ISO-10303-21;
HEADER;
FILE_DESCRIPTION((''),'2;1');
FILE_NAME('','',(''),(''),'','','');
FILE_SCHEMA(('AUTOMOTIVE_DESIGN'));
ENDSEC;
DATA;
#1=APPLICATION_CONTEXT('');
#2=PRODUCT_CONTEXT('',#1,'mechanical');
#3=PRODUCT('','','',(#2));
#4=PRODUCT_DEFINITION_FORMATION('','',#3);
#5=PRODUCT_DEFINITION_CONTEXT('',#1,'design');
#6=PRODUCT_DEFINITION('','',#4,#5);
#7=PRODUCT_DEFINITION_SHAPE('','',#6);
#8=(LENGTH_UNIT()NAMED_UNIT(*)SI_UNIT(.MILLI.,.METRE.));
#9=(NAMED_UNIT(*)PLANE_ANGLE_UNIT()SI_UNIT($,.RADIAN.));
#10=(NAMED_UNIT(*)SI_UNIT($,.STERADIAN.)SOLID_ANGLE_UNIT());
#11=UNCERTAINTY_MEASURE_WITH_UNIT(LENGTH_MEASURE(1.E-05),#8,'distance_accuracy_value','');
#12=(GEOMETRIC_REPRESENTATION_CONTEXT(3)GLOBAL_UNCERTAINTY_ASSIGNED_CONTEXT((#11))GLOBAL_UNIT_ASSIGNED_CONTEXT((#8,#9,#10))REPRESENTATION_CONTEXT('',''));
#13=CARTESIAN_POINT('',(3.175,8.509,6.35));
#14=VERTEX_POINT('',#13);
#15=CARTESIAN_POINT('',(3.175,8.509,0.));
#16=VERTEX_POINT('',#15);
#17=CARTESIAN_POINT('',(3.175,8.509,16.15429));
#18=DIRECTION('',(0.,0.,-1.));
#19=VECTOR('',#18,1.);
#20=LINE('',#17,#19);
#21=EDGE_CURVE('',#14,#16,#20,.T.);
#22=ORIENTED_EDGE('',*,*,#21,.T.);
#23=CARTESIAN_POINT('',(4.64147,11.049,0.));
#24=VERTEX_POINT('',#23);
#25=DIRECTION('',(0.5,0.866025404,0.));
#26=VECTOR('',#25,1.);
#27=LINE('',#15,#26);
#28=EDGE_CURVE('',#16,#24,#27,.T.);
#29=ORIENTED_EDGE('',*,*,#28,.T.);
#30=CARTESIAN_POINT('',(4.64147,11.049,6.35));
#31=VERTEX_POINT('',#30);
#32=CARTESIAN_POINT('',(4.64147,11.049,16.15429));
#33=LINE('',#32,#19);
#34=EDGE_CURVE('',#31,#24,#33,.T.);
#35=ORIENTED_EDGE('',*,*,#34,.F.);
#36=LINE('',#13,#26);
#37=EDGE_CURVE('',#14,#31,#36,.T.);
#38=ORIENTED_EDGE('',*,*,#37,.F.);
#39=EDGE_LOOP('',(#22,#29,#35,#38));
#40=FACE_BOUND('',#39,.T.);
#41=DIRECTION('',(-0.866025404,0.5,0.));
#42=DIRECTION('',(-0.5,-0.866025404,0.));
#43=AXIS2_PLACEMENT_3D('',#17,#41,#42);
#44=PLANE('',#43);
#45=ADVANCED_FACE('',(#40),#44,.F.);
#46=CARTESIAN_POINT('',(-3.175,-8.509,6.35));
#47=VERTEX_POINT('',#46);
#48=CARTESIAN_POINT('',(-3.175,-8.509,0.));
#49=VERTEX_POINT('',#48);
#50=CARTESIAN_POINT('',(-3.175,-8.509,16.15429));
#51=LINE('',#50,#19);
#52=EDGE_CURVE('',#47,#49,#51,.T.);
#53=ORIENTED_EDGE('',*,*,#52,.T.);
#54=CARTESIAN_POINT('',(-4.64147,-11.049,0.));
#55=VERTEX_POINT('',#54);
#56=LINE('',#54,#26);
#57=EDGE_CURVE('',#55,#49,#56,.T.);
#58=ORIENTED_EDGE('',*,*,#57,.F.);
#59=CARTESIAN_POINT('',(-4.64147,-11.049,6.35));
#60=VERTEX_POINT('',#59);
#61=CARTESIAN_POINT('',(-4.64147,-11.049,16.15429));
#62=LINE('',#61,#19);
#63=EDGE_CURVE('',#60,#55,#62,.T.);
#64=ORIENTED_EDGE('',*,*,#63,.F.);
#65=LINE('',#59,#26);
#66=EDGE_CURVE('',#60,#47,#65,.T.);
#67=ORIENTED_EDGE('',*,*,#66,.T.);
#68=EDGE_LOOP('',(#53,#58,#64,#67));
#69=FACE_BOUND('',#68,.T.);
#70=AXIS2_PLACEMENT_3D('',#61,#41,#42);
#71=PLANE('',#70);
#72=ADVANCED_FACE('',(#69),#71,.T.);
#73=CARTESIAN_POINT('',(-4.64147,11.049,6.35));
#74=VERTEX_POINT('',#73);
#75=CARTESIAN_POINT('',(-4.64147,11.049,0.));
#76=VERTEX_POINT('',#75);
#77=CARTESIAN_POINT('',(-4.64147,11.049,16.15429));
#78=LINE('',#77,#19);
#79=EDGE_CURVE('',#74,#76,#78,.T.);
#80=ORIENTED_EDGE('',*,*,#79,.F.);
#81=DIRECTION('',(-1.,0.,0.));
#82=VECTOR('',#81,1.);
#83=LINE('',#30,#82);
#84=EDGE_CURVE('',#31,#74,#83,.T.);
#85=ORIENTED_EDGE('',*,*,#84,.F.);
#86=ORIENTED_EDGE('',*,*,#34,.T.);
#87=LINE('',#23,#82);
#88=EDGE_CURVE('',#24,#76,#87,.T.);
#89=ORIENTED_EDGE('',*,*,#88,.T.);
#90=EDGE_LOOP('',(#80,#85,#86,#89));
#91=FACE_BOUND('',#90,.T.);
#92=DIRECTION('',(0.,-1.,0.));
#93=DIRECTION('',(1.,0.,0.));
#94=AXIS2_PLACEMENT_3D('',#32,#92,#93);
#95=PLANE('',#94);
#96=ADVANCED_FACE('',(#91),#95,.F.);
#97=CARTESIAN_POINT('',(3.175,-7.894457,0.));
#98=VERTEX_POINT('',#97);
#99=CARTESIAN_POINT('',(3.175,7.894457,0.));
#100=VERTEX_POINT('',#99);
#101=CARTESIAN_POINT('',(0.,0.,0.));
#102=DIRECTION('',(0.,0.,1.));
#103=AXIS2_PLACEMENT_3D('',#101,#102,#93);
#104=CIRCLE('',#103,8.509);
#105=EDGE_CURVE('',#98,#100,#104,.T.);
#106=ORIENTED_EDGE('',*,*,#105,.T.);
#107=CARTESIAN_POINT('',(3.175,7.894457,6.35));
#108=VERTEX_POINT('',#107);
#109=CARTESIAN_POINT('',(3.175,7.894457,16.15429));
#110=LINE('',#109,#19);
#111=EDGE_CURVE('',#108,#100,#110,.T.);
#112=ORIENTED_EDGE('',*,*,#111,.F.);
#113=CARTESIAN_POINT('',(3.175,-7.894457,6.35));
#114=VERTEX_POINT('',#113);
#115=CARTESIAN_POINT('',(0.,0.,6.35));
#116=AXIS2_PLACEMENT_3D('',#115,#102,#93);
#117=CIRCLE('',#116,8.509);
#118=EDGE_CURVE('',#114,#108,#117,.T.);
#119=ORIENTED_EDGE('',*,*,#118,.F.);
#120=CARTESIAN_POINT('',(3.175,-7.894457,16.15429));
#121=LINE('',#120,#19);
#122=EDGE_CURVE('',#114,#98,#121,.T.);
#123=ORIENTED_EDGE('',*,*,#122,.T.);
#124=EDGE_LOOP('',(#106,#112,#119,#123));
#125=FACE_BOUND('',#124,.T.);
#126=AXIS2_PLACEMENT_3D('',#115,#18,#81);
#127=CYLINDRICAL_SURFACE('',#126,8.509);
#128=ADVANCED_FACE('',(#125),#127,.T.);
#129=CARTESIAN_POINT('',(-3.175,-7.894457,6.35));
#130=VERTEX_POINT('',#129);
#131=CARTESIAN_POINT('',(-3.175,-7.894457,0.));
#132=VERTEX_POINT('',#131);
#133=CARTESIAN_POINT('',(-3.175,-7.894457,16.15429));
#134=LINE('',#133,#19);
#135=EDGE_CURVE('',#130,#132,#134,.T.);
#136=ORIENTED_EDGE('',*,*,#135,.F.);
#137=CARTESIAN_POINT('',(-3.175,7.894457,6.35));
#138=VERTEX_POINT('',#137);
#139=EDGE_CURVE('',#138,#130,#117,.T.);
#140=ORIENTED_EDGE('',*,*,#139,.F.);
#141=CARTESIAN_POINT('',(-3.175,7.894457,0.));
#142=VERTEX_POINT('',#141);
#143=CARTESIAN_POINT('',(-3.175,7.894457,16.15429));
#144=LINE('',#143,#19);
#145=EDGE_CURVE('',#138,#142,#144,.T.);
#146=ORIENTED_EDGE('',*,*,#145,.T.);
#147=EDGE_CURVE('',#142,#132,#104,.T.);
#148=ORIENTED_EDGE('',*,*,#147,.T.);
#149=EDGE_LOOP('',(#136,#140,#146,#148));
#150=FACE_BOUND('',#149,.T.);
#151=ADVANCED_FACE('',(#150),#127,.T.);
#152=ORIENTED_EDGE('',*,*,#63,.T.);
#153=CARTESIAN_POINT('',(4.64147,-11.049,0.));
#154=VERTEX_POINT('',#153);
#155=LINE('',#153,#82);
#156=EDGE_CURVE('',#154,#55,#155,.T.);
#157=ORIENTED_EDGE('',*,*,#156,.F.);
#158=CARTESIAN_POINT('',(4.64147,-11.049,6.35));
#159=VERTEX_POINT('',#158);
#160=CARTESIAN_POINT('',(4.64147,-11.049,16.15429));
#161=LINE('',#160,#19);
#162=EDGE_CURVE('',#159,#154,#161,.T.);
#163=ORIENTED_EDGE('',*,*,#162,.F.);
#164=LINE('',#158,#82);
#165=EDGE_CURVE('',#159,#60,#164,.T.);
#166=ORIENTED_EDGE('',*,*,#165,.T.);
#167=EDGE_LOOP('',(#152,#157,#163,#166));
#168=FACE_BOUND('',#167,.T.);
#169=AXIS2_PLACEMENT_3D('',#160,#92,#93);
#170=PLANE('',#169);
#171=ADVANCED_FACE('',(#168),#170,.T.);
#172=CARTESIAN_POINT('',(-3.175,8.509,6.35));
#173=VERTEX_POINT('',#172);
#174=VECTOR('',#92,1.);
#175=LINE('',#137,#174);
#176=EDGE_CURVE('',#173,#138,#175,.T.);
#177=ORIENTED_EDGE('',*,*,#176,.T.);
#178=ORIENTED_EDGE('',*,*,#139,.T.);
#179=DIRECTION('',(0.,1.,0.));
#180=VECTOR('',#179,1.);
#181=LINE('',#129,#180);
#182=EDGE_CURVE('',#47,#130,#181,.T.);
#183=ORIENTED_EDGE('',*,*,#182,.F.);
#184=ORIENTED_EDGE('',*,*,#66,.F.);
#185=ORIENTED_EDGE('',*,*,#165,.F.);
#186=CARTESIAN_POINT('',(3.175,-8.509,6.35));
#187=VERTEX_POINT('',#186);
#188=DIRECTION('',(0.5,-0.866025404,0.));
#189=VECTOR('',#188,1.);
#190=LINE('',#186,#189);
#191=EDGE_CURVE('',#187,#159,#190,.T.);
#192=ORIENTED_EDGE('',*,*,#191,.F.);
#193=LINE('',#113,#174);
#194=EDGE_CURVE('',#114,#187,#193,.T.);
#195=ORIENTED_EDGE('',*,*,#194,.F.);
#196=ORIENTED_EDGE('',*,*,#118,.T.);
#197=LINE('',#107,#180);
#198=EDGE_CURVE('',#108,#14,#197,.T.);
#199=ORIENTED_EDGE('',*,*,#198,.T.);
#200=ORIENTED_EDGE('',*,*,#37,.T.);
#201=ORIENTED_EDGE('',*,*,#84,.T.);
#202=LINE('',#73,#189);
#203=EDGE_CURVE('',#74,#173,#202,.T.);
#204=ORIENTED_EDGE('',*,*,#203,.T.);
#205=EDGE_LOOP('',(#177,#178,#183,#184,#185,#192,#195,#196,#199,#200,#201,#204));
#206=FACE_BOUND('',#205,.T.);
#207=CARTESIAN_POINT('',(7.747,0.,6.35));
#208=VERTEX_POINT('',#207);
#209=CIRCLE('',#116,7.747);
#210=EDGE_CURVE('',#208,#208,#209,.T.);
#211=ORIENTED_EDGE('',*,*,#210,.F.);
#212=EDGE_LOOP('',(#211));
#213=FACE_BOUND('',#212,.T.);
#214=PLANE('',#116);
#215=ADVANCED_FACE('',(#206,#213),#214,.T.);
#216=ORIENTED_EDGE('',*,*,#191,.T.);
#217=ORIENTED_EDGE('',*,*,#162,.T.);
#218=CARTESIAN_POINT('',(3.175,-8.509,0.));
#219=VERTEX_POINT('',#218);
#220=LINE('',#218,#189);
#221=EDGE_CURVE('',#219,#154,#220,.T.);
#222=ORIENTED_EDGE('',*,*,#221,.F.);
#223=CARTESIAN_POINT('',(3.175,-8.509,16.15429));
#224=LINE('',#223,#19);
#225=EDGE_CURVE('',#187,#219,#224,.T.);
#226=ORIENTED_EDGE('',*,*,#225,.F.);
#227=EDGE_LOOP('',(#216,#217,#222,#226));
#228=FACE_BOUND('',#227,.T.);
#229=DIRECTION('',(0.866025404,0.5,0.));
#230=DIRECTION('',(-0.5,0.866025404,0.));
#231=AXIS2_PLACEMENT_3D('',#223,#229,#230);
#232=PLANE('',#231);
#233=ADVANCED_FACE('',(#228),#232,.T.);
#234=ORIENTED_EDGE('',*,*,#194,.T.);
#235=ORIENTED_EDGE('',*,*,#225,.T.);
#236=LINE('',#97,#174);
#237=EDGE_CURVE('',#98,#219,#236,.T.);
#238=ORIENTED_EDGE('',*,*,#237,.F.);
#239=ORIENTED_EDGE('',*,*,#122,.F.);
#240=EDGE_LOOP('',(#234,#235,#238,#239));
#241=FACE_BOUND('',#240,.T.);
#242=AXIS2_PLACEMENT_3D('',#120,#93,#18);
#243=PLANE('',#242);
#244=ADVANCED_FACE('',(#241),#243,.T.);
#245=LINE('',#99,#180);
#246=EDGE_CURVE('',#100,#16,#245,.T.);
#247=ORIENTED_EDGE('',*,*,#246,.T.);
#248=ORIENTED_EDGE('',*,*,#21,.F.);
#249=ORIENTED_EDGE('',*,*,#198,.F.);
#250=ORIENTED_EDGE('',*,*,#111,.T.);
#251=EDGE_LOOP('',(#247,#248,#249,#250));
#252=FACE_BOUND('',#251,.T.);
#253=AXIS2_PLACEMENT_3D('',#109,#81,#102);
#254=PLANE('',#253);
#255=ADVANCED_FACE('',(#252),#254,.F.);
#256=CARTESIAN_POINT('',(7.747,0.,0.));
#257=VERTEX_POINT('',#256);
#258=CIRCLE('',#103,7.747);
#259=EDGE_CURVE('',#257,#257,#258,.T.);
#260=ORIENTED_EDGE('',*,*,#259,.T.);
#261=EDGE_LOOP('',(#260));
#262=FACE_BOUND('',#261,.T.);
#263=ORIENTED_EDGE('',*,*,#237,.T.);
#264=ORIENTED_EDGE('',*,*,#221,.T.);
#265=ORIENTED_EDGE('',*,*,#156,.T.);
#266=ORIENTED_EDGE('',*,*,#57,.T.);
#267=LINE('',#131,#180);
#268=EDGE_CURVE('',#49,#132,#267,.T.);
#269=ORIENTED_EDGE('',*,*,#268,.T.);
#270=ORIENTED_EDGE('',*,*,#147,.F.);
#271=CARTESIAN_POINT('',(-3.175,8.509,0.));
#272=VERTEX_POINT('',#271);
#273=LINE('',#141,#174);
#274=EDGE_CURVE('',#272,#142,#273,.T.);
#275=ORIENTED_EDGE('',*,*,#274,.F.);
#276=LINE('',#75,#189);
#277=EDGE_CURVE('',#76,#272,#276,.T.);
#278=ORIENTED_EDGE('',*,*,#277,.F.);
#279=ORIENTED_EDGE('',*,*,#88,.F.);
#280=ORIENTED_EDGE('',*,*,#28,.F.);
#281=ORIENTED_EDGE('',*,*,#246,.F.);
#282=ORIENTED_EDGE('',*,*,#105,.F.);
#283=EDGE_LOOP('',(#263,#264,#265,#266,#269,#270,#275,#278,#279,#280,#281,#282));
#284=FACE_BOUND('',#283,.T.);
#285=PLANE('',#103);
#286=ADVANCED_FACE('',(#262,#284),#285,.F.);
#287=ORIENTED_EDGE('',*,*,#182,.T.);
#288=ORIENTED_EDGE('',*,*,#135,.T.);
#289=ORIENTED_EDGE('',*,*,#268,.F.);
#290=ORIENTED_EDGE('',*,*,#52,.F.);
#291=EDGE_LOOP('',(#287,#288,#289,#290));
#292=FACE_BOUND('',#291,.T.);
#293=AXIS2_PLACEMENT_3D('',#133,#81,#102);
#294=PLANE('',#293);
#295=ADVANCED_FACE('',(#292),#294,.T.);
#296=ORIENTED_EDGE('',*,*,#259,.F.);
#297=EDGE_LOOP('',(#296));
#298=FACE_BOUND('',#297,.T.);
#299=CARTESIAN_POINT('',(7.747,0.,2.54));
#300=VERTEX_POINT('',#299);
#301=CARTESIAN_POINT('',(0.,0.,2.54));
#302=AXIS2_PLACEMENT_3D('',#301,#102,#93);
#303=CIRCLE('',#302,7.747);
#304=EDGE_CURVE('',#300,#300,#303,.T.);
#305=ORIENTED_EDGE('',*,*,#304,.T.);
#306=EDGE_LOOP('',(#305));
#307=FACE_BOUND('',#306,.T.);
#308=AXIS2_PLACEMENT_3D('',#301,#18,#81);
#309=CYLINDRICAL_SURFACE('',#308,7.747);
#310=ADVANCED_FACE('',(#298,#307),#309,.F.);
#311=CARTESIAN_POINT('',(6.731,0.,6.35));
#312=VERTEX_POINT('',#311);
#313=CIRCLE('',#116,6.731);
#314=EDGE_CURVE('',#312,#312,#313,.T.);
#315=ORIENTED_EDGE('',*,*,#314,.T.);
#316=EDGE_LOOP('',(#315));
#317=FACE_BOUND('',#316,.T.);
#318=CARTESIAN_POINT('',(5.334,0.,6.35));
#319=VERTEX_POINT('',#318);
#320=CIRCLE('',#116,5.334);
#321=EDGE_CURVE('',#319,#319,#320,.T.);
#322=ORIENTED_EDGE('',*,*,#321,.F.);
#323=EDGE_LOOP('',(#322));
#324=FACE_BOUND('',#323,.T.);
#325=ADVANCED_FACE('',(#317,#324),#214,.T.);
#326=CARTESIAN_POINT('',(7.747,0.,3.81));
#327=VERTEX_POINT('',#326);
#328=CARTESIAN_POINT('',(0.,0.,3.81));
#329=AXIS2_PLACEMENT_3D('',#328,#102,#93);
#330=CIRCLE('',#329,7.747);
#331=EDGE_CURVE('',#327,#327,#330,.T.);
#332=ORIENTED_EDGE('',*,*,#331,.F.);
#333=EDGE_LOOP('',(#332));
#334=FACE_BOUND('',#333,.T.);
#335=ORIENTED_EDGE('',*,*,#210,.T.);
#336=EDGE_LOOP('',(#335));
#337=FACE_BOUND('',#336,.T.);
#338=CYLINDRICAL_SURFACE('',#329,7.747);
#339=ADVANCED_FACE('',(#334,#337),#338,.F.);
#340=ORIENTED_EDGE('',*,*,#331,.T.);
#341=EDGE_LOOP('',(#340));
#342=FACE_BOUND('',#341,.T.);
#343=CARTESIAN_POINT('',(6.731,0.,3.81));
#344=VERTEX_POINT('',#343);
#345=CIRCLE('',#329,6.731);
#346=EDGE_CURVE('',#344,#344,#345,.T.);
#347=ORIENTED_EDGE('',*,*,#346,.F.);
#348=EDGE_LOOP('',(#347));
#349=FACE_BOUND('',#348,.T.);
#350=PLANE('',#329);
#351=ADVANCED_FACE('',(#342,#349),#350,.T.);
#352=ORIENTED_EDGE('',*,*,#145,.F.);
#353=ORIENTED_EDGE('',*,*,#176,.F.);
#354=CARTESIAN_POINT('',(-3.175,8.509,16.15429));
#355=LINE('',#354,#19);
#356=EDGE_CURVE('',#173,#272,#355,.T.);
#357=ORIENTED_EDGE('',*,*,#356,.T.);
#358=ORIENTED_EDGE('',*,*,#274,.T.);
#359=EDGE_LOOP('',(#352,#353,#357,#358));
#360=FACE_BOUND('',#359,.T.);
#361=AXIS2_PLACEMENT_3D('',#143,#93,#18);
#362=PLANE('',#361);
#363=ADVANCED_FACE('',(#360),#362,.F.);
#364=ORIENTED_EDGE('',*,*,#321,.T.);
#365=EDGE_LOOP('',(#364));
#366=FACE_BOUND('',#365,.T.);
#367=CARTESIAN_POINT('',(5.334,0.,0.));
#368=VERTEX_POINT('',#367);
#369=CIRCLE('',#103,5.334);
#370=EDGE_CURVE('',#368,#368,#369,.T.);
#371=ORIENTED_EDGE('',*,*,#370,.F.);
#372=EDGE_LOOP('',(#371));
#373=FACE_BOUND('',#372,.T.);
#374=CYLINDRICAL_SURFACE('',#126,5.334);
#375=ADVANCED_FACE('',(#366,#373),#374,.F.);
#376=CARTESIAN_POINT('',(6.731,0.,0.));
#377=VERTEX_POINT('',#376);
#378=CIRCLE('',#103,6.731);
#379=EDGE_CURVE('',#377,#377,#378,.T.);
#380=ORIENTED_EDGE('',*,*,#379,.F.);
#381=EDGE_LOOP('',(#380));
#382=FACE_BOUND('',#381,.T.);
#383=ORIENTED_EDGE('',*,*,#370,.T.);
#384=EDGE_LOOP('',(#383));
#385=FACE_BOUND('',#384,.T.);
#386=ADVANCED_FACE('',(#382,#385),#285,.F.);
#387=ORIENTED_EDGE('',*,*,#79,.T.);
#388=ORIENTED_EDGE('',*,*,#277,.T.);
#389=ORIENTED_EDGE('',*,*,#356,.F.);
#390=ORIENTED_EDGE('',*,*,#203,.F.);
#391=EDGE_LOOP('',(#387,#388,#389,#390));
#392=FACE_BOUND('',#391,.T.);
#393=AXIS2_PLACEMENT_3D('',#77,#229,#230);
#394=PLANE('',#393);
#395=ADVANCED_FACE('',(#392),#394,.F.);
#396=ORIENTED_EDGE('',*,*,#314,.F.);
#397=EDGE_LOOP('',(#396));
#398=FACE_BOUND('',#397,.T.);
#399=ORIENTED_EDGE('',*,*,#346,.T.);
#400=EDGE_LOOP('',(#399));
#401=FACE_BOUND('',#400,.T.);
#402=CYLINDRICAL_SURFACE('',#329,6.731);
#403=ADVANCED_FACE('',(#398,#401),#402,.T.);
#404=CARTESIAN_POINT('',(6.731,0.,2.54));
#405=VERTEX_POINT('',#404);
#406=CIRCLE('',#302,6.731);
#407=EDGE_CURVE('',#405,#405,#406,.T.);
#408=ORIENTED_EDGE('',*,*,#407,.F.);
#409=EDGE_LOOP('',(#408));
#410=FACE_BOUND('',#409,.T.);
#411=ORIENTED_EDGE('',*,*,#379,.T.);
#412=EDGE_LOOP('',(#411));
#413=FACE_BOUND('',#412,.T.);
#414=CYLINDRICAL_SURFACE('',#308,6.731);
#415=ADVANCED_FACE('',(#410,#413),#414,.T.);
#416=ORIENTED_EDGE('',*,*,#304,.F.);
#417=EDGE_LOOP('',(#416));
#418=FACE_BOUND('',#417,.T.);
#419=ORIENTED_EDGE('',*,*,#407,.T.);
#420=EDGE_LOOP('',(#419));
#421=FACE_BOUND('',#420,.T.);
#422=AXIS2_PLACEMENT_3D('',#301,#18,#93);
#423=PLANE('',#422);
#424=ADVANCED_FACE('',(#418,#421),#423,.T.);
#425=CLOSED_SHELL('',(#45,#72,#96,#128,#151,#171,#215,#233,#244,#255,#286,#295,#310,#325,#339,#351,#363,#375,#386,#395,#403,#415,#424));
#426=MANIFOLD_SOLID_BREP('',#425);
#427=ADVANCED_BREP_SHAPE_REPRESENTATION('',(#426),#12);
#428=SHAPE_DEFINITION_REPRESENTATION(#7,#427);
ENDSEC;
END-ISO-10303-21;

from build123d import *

# Parameters (mm, degrees)
SKETCH1_R           = 8.509
SKETCH1_R_2         = 5.334
BOSS_EXTRUDE1_DEPTH = 6.35
SKETCH2_R           = 7.747
SKETCH2_R_2         = 6.731
CUT_EXTRUDE1_DEPTH  = 2.54
BOSS_EXTRUDE2_DEPTH = 6.35


with BuildPart() as part:
    # Sketch1 → Boss-Extrude1 (new body)
    with BuildSketch(Plane.XY):
        Circle(SKETCH1_R)
        Circle(SKETCH1_R_2, mode=Mode.SUBTRACT)
    extrude(amount=BOSS_EXTRUDE1_DEPTH)

    # Sketch2 → Cut-Extrude1 (cut)
    with BuildSketch(Plane.XY.offset(6.35)):
        Circle(SKETCH2_R)
        Circle(SKETCH2_R_2, mode=Mode.SUBTRACT)
    cut_extrude1 = extrude(amount=-CUT_EXTRUDE1_DEPTH, mode=Mode.SUBTRACT)

    # Sketch3 → Boss-Extrude2 (add)
    with BuildSketch(Plane.XY):
        with BuildLine():
            Line((-3.175, 7.894457296), (-3.175, 8.509))
            Line((-3.175, 8.509), (-4.641469684, 11.049))
            Line((-4.641469684, 11.049), (4.641469684, 11.049))
            Line((4.641469684, 11.049), (3.175, 8.509))
            Line((3.175, 8.509), (3.175, 7.894457296))
            ThreePointArc((3.175, 7.894457296), (0, 8.509), (-3.175, 7.894457296))
        make_face()
    boss_extrude2 = extrude(amount=BOSS_EXTRUDE2_DEPTH)

    # Mirror1: Boss-Extrude2 across plane
    add(boss_extrude2.mirror(Plane.ZX))

    # Mirror2: Cut-Extrude1 across plane
    add(cut_extrude1.mirror(Plane(origin=(0, 0, 3.175), x_dir=(1, 0, 0), z_dir=(0, 0, -1))), mode=Mode.SUBTRACT)


solid = part.part
